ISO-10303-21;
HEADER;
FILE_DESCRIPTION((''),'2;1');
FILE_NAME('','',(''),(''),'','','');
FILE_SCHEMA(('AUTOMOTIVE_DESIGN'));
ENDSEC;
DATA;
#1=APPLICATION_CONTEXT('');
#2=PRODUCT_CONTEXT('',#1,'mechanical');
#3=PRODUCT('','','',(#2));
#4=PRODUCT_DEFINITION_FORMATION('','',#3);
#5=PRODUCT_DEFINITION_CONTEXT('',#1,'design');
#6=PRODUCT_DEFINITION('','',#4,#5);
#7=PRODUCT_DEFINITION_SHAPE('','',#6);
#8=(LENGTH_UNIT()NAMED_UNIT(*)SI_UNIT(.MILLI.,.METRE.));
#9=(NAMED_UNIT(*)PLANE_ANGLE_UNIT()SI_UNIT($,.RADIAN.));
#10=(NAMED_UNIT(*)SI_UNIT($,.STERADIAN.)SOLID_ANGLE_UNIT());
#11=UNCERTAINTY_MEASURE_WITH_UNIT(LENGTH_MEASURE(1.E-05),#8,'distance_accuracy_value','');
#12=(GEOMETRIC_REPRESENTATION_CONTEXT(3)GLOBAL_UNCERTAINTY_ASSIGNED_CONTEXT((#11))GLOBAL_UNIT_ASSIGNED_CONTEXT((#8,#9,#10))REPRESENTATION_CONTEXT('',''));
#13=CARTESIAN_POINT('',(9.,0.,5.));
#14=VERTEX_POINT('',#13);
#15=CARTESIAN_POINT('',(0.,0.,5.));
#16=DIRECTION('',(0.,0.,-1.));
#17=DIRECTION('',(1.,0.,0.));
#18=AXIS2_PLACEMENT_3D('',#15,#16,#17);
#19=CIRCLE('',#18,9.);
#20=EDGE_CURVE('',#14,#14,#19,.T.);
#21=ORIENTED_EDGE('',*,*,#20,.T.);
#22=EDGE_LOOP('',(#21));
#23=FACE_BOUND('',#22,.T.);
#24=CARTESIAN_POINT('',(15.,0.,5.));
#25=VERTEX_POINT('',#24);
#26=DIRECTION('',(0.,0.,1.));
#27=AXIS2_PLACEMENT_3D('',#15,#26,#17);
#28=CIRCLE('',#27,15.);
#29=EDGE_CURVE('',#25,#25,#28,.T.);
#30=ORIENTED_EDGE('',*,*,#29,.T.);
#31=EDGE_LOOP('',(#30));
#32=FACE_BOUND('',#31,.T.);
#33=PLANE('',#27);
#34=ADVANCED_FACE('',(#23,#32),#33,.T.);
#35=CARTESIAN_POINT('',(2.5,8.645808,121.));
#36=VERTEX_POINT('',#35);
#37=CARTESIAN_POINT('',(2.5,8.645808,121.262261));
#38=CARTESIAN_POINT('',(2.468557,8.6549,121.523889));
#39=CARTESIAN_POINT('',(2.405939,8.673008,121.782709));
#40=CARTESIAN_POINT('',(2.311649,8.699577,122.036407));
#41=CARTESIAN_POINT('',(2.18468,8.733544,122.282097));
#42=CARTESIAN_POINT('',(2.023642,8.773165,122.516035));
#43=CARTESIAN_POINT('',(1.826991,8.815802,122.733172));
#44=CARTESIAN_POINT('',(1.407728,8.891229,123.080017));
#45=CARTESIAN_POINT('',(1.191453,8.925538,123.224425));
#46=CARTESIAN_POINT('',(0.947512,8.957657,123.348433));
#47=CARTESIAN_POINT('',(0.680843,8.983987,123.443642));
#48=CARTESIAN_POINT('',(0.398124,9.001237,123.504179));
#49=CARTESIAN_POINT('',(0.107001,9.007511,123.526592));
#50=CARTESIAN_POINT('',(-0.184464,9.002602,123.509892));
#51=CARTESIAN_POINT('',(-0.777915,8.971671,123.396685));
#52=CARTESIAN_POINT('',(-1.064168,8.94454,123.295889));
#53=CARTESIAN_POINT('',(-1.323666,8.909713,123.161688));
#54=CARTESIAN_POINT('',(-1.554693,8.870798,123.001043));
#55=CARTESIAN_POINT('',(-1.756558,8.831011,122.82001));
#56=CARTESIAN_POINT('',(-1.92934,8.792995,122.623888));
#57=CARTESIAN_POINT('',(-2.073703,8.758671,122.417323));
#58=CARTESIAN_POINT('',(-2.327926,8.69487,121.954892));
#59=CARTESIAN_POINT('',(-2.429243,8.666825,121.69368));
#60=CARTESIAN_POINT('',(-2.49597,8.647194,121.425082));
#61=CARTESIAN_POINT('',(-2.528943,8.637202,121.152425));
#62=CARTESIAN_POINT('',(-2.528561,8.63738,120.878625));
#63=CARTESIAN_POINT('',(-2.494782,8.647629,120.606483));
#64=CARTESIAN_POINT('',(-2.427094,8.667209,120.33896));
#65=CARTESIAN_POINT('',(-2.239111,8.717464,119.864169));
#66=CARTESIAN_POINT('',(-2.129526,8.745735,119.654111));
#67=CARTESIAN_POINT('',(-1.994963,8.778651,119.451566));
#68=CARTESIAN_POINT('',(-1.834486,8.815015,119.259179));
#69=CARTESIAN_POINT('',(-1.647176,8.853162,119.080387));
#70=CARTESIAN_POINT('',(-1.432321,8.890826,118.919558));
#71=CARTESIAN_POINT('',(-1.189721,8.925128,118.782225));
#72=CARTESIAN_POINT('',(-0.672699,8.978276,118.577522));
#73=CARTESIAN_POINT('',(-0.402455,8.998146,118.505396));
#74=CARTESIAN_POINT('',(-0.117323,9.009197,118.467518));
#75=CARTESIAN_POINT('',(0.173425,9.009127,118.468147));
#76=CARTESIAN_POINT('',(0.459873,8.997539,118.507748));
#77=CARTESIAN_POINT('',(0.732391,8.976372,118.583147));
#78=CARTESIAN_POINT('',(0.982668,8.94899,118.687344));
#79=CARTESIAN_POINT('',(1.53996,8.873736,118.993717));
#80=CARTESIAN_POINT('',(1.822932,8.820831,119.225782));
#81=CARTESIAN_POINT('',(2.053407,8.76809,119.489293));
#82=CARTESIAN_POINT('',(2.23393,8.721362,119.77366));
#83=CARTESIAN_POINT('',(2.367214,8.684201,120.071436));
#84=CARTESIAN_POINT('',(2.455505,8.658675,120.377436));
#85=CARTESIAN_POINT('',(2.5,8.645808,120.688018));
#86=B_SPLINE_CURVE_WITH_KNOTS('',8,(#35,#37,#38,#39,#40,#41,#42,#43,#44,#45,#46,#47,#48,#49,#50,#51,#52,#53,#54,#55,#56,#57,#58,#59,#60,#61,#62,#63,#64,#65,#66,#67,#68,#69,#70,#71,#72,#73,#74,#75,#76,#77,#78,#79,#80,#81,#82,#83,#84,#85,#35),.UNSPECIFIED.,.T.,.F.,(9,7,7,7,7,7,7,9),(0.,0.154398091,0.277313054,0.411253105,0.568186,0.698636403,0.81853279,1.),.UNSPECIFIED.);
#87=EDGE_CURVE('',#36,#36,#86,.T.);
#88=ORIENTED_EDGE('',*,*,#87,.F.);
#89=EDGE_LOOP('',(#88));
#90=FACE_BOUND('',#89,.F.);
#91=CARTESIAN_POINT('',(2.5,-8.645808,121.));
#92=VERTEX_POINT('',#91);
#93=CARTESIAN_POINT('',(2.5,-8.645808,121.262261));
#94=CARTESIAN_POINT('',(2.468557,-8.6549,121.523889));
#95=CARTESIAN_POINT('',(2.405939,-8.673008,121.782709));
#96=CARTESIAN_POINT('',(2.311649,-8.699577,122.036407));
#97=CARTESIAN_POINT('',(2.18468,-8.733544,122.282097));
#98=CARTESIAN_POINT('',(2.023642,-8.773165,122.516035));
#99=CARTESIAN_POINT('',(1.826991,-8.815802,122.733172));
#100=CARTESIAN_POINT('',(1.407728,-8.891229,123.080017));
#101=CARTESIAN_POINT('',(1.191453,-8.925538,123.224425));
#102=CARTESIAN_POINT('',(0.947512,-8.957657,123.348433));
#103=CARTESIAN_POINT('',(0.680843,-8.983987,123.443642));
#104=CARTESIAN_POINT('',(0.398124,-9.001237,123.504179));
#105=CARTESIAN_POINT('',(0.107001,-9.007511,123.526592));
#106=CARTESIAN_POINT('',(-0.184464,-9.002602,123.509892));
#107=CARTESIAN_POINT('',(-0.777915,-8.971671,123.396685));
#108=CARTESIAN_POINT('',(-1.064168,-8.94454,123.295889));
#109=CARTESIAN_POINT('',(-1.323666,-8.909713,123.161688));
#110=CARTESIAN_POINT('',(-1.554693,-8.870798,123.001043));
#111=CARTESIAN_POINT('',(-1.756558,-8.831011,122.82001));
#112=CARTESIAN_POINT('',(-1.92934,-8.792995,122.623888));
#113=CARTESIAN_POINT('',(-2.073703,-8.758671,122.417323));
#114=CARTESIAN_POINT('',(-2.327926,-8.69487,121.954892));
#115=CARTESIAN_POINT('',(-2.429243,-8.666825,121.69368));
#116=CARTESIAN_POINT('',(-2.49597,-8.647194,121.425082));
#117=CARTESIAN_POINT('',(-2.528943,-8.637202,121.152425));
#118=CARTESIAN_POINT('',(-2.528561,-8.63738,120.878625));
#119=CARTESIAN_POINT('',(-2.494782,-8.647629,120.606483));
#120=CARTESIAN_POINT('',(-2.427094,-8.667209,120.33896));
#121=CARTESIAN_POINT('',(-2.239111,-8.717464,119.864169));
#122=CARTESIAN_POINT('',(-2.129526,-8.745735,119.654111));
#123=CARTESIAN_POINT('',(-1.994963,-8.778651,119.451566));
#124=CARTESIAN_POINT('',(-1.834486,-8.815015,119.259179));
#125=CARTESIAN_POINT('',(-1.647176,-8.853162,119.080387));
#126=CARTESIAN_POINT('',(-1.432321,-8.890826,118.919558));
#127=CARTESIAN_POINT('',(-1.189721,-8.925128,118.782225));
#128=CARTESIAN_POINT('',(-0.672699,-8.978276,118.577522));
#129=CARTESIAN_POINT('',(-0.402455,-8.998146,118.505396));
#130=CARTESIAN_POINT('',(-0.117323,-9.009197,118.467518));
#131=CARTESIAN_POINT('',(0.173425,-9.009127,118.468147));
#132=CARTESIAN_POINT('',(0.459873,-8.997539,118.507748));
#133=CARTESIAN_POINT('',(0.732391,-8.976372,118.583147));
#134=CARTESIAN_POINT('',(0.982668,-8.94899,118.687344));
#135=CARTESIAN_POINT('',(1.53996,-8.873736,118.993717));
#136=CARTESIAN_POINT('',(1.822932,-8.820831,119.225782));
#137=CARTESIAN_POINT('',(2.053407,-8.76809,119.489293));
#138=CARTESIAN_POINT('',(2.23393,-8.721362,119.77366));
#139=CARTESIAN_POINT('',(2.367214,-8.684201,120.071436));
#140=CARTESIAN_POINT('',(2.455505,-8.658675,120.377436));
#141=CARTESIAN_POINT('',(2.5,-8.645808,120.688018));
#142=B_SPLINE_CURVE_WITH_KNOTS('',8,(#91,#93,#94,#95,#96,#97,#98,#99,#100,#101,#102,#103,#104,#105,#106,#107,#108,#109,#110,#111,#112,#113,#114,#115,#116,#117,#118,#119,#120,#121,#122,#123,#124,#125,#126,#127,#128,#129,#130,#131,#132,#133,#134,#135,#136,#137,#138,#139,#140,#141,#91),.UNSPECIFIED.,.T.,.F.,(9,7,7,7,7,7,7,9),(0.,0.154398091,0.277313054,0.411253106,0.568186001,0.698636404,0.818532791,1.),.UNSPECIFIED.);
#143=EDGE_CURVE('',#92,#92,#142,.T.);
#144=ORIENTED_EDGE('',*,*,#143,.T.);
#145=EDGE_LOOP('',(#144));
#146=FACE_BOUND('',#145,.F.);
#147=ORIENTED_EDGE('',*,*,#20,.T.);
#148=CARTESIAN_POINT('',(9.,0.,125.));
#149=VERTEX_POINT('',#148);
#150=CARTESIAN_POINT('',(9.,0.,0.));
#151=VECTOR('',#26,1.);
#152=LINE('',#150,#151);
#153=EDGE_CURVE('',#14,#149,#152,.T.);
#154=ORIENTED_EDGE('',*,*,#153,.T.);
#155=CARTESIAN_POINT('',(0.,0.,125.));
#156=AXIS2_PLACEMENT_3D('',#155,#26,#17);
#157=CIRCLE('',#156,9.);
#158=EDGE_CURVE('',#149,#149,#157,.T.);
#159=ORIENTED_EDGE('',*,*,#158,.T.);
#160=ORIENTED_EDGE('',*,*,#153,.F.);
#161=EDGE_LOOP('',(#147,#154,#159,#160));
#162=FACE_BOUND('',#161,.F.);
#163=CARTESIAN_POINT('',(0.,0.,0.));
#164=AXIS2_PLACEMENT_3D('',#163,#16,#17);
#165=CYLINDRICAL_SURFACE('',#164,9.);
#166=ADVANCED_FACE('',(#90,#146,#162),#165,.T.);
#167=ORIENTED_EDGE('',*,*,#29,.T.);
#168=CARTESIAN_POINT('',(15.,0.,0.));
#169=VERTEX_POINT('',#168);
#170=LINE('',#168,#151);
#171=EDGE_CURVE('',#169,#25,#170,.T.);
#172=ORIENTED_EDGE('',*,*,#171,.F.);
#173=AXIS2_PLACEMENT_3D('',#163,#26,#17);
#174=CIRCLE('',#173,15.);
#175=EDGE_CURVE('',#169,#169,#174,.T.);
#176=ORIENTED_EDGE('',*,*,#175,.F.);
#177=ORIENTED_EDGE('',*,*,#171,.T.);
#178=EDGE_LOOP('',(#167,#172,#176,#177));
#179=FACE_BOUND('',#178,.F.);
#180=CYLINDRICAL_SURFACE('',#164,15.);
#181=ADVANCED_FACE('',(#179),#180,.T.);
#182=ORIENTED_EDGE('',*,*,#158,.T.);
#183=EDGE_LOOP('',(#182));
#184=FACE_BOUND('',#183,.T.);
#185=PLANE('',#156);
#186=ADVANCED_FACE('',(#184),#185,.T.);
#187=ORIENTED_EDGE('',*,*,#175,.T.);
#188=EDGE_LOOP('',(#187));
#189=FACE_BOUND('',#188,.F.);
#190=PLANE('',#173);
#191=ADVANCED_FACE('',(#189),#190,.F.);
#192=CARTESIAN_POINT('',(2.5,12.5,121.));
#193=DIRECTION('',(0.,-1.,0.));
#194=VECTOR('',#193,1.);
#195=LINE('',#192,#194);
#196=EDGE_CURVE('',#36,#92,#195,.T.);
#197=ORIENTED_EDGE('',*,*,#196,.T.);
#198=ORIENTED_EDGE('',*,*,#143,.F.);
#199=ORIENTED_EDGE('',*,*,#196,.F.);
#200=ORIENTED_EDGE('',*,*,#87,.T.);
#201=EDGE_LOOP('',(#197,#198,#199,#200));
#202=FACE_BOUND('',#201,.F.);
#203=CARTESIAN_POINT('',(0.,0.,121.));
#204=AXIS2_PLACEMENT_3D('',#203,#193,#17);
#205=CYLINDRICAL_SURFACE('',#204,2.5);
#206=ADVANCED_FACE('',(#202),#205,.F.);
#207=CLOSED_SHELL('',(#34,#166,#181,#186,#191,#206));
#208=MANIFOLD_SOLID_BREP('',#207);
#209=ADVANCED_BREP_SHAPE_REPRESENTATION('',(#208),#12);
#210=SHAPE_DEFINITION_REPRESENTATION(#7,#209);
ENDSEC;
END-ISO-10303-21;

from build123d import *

# Parameters (mm, degrees)
F0_R     = 9
F1_DEPTH = 125
F2_R     = 15
F3_DEPTH = 5
F4_R     = 2.5
F5_DEPTH = 12.5


with BuildPart() as f1:
    # F0 (on Top) → F1 (new body)
    with BuildSketch(Plane.XY):
        Circle(F0_R)
    extrude(amount=F1_DEPTH)

    # F2 (on Top) → F3 (join)
    with BuildSketch(Plane.XY):
        Circle(F2_R)
    extrude(amount=F3_DEPTH)

    # F4 (on Front) → F5 (cut, symmetric)
    with BuildSketch(Plane.XZ):
        with Locations((0, 121)):
            Circle(F4_R)
    extrude(amount=F5_DEPTH, both=True, mode=Mode.SUBTRACT)


solid = f1.part
